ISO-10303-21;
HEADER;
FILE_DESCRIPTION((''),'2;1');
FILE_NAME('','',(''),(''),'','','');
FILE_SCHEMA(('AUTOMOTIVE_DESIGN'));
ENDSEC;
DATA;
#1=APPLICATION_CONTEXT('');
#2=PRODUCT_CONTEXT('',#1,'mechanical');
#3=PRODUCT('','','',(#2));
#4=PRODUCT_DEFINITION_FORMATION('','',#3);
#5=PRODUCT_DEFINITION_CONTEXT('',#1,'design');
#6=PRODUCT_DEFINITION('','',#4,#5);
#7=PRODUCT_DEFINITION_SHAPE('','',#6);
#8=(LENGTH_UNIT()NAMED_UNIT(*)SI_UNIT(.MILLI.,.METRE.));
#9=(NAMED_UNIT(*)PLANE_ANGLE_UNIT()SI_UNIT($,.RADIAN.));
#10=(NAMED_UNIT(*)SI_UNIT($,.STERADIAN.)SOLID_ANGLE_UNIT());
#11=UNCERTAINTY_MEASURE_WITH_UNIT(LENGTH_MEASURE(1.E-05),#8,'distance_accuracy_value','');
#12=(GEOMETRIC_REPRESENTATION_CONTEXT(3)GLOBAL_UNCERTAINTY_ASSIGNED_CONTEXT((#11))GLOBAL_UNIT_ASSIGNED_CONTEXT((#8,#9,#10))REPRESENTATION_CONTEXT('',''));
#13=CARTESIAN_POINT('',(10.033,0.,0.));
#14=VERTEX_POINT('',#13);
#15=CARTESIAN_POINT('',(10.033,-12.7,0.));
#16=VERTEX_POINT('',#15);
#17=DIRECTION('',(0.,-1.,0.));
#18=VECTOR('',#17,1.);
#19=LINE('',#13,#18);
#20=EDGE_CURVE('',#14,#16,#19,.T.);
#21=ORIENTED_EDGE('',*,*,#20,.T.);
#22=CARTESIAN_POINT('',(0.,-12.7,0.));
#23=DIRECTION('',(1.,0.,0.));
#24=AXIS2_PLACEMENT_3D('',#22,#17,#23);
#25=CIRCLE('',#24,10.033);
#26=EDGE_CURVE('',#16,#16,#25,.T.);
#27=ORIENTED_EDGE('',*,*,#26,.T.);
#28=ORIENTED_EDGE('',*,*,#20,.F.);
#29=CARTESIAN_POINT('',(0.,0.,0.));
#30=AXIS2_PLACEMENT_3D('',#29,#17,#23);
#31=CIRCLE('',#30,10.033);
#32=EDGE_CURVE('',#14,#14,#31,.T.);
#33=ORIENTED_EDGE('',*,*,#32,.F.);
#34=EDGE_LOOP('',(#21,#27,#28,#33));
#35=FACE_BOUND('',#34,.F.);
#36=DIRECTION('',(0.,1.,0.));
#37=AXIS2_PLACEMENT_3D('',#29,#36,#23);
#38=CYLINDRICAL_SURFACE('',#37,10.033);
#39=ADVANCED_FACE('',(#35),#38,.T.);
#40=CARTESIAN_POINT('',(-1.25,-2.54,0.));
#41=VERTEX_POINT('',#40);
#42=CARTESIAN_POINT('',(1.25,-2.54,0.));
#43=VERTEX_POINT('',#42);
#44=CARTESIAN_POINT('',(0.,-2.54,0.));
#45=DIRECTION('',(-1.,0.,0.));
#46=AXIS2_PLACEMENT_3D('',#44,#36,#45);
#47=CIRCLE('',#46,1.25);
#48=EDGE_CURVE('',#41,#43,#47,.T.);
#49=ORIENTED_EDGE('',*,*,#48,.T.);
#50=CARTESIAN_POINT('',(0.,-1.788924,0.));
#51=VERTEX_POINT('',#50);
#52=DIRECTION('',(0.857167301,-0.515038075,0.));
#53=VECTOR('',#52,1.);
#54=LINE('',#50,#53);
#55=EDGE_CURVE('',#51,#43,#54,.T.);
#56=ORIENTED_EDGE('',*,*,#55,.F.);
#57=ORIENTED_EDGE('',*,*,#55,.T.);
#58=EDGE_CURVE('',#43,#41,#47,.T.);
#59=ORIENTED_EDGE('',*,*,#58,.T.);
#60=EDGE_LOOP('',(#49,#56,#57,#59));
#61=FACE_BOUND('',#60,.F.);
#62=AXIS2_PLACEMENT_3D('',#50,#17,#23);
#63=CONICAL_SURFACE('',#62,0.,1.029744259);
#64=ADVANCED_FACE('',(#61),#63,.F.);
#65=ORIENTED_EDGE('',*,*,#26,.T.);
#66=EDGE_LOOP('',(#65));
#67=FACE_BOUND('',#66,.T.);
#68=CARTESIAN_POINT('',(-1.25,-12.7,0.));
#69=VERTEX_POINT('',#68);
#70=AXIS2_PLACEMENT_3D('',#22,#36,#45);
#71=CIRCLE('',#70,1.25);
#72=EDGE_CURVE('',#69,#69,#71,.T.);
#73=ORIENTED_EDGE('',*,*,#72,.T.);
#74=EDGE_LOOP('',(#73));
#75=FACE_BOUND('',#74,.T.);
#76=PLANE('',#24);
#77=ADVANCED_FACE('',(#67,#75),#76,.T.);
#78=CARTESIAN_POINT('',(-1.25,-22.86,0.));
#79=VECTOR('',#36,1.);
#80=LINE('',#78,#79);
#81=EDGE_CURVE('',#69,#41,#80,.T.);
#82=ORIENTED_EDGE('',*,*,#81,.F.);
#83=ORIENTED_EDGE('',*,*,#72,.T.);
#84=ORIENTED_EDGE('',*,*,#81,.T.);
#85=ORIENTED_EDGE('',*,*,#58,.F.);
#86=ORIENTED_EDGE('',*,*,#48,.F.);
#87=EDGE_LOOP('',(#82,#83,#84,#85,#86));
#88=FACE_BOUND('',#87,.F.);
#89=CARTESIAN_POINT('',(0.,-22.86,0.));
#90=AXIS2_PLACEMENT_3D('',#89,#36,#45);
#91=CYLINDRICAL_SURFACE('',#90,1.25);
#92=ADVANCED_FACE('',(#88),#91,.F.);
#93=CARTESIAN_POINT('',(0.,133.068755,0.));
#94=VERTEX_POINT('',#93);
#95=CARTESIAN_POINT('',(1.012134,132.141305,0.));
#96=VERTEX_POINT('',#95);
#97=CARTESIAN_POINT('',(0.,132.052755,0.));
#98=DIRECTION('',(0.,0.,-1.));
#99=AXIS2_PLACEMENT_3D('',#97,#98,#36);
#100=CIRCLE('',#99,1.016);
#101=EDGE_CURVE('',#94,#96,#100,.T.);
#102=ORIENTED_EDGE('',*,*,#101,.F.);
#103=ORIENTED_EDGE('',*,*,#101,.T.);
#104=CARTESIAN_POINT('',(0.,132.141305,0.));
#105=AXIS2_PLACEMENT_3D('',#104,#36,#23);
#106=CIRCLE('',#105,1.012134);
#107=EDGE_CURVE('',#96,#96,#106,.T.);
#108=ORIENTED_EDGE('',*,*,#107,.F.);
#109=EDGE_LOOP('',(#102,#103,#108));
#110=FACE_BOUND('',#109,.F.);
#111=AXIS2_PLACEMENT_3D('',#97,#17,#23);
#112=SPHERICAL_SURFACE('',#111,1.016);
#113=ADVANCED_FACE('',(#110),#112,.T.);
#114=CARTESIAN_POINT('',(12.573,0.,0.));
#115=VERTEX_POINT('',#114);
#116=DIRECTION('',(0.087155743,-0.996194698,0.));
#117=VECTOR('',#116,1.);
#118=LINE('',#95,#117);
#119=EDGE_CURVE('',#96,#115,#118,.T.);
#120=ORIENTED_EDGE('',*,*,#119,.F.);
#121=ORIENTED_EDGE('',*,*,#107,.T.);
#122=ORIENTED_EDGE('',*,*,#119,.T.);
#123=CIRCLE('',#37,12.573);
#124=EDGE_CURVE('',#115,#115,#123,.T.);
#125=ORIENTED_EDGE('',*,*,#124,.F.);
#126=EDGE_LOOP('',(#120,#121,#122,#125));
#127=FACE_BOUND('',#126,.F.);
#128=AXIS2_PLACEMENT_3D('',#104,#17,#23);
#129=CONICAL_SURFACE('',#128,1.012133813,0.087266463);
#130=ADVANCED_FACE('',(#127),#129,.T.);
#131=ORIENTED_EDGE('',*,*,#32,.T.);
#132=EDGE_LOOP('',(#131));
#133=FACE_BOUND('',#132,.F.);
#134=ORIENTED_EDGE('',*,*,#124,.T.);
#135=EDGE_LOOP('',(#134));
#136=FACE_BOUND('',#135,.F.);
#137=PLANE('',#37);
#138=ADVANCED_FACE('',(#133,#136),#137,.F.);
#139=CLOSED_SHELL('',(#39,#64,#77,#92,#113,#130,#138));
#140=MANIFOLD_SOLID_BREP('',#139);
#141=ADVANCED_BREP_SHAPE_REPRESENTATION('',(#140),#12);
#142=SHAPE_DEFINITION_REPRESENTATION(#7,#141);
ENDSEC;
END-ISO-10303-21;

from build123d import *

# Parameters (mm, degrees)
SKETCH2_R                 = 10.033
BOSS_EXTRUDE1_DEPTH       = 12.7
M3X0_5_TAPPED_HOLE1_D     = 2.5
M3X0_5_TAPPED_HOLE1_DEPTH = 10.16
M3X0_5_TAPPED_HOLE1_TIP   = 0.751075774


with BuildPart() as part:
    # Sketch1 → Revolve2 (revolve)
    with BuildSketch(Plane.XY):
        with BuildLine():
            Line((0, 0), (0, 133.068754945))
            ThreePointArc((0, 133.068754945), (0.686399651, 132.801828719), (1.012133813, 132.14130518))
            Line((1.012133813, 132.14130518), (12.573, 0))
            Line((12.573, 0), (0, 0))
        make_face()
    revolve(axis=Axis((0, 0, 0), (0, 1, 0)))

    # Sketch2 → Boss-Extrude1 (add)
    with BuildSketch(Plane.XZ):
        Circle(SKETCH2_R)
    extrude(amount=BOSS_EXTRUDE1_DEPTH)

    # M3x0.5 Tapped Hole1
    with Locations(Plane.XZ.offset(12.7)):
        with Locations((0, 0)):
            Hole(M3X0_5_TAPPED_HOLE1_D / 2, depth=M3X0_5_TAPPED_HOLE1_DEPTH)
            with Locations((0, 0, -(M3X0_5_TAPPED_HOLE1_DEPTH + M3X0_5_TAPPED_HOLE1_TIP / 2))):  # 118° drill point
                Cone(0, M3X0_5_TAPPED_HOLE1_D / 2, M3X0_5_TAPPED_HOLE1_TIP, mode=Mode.SUBTRACT)


solid = part.part
